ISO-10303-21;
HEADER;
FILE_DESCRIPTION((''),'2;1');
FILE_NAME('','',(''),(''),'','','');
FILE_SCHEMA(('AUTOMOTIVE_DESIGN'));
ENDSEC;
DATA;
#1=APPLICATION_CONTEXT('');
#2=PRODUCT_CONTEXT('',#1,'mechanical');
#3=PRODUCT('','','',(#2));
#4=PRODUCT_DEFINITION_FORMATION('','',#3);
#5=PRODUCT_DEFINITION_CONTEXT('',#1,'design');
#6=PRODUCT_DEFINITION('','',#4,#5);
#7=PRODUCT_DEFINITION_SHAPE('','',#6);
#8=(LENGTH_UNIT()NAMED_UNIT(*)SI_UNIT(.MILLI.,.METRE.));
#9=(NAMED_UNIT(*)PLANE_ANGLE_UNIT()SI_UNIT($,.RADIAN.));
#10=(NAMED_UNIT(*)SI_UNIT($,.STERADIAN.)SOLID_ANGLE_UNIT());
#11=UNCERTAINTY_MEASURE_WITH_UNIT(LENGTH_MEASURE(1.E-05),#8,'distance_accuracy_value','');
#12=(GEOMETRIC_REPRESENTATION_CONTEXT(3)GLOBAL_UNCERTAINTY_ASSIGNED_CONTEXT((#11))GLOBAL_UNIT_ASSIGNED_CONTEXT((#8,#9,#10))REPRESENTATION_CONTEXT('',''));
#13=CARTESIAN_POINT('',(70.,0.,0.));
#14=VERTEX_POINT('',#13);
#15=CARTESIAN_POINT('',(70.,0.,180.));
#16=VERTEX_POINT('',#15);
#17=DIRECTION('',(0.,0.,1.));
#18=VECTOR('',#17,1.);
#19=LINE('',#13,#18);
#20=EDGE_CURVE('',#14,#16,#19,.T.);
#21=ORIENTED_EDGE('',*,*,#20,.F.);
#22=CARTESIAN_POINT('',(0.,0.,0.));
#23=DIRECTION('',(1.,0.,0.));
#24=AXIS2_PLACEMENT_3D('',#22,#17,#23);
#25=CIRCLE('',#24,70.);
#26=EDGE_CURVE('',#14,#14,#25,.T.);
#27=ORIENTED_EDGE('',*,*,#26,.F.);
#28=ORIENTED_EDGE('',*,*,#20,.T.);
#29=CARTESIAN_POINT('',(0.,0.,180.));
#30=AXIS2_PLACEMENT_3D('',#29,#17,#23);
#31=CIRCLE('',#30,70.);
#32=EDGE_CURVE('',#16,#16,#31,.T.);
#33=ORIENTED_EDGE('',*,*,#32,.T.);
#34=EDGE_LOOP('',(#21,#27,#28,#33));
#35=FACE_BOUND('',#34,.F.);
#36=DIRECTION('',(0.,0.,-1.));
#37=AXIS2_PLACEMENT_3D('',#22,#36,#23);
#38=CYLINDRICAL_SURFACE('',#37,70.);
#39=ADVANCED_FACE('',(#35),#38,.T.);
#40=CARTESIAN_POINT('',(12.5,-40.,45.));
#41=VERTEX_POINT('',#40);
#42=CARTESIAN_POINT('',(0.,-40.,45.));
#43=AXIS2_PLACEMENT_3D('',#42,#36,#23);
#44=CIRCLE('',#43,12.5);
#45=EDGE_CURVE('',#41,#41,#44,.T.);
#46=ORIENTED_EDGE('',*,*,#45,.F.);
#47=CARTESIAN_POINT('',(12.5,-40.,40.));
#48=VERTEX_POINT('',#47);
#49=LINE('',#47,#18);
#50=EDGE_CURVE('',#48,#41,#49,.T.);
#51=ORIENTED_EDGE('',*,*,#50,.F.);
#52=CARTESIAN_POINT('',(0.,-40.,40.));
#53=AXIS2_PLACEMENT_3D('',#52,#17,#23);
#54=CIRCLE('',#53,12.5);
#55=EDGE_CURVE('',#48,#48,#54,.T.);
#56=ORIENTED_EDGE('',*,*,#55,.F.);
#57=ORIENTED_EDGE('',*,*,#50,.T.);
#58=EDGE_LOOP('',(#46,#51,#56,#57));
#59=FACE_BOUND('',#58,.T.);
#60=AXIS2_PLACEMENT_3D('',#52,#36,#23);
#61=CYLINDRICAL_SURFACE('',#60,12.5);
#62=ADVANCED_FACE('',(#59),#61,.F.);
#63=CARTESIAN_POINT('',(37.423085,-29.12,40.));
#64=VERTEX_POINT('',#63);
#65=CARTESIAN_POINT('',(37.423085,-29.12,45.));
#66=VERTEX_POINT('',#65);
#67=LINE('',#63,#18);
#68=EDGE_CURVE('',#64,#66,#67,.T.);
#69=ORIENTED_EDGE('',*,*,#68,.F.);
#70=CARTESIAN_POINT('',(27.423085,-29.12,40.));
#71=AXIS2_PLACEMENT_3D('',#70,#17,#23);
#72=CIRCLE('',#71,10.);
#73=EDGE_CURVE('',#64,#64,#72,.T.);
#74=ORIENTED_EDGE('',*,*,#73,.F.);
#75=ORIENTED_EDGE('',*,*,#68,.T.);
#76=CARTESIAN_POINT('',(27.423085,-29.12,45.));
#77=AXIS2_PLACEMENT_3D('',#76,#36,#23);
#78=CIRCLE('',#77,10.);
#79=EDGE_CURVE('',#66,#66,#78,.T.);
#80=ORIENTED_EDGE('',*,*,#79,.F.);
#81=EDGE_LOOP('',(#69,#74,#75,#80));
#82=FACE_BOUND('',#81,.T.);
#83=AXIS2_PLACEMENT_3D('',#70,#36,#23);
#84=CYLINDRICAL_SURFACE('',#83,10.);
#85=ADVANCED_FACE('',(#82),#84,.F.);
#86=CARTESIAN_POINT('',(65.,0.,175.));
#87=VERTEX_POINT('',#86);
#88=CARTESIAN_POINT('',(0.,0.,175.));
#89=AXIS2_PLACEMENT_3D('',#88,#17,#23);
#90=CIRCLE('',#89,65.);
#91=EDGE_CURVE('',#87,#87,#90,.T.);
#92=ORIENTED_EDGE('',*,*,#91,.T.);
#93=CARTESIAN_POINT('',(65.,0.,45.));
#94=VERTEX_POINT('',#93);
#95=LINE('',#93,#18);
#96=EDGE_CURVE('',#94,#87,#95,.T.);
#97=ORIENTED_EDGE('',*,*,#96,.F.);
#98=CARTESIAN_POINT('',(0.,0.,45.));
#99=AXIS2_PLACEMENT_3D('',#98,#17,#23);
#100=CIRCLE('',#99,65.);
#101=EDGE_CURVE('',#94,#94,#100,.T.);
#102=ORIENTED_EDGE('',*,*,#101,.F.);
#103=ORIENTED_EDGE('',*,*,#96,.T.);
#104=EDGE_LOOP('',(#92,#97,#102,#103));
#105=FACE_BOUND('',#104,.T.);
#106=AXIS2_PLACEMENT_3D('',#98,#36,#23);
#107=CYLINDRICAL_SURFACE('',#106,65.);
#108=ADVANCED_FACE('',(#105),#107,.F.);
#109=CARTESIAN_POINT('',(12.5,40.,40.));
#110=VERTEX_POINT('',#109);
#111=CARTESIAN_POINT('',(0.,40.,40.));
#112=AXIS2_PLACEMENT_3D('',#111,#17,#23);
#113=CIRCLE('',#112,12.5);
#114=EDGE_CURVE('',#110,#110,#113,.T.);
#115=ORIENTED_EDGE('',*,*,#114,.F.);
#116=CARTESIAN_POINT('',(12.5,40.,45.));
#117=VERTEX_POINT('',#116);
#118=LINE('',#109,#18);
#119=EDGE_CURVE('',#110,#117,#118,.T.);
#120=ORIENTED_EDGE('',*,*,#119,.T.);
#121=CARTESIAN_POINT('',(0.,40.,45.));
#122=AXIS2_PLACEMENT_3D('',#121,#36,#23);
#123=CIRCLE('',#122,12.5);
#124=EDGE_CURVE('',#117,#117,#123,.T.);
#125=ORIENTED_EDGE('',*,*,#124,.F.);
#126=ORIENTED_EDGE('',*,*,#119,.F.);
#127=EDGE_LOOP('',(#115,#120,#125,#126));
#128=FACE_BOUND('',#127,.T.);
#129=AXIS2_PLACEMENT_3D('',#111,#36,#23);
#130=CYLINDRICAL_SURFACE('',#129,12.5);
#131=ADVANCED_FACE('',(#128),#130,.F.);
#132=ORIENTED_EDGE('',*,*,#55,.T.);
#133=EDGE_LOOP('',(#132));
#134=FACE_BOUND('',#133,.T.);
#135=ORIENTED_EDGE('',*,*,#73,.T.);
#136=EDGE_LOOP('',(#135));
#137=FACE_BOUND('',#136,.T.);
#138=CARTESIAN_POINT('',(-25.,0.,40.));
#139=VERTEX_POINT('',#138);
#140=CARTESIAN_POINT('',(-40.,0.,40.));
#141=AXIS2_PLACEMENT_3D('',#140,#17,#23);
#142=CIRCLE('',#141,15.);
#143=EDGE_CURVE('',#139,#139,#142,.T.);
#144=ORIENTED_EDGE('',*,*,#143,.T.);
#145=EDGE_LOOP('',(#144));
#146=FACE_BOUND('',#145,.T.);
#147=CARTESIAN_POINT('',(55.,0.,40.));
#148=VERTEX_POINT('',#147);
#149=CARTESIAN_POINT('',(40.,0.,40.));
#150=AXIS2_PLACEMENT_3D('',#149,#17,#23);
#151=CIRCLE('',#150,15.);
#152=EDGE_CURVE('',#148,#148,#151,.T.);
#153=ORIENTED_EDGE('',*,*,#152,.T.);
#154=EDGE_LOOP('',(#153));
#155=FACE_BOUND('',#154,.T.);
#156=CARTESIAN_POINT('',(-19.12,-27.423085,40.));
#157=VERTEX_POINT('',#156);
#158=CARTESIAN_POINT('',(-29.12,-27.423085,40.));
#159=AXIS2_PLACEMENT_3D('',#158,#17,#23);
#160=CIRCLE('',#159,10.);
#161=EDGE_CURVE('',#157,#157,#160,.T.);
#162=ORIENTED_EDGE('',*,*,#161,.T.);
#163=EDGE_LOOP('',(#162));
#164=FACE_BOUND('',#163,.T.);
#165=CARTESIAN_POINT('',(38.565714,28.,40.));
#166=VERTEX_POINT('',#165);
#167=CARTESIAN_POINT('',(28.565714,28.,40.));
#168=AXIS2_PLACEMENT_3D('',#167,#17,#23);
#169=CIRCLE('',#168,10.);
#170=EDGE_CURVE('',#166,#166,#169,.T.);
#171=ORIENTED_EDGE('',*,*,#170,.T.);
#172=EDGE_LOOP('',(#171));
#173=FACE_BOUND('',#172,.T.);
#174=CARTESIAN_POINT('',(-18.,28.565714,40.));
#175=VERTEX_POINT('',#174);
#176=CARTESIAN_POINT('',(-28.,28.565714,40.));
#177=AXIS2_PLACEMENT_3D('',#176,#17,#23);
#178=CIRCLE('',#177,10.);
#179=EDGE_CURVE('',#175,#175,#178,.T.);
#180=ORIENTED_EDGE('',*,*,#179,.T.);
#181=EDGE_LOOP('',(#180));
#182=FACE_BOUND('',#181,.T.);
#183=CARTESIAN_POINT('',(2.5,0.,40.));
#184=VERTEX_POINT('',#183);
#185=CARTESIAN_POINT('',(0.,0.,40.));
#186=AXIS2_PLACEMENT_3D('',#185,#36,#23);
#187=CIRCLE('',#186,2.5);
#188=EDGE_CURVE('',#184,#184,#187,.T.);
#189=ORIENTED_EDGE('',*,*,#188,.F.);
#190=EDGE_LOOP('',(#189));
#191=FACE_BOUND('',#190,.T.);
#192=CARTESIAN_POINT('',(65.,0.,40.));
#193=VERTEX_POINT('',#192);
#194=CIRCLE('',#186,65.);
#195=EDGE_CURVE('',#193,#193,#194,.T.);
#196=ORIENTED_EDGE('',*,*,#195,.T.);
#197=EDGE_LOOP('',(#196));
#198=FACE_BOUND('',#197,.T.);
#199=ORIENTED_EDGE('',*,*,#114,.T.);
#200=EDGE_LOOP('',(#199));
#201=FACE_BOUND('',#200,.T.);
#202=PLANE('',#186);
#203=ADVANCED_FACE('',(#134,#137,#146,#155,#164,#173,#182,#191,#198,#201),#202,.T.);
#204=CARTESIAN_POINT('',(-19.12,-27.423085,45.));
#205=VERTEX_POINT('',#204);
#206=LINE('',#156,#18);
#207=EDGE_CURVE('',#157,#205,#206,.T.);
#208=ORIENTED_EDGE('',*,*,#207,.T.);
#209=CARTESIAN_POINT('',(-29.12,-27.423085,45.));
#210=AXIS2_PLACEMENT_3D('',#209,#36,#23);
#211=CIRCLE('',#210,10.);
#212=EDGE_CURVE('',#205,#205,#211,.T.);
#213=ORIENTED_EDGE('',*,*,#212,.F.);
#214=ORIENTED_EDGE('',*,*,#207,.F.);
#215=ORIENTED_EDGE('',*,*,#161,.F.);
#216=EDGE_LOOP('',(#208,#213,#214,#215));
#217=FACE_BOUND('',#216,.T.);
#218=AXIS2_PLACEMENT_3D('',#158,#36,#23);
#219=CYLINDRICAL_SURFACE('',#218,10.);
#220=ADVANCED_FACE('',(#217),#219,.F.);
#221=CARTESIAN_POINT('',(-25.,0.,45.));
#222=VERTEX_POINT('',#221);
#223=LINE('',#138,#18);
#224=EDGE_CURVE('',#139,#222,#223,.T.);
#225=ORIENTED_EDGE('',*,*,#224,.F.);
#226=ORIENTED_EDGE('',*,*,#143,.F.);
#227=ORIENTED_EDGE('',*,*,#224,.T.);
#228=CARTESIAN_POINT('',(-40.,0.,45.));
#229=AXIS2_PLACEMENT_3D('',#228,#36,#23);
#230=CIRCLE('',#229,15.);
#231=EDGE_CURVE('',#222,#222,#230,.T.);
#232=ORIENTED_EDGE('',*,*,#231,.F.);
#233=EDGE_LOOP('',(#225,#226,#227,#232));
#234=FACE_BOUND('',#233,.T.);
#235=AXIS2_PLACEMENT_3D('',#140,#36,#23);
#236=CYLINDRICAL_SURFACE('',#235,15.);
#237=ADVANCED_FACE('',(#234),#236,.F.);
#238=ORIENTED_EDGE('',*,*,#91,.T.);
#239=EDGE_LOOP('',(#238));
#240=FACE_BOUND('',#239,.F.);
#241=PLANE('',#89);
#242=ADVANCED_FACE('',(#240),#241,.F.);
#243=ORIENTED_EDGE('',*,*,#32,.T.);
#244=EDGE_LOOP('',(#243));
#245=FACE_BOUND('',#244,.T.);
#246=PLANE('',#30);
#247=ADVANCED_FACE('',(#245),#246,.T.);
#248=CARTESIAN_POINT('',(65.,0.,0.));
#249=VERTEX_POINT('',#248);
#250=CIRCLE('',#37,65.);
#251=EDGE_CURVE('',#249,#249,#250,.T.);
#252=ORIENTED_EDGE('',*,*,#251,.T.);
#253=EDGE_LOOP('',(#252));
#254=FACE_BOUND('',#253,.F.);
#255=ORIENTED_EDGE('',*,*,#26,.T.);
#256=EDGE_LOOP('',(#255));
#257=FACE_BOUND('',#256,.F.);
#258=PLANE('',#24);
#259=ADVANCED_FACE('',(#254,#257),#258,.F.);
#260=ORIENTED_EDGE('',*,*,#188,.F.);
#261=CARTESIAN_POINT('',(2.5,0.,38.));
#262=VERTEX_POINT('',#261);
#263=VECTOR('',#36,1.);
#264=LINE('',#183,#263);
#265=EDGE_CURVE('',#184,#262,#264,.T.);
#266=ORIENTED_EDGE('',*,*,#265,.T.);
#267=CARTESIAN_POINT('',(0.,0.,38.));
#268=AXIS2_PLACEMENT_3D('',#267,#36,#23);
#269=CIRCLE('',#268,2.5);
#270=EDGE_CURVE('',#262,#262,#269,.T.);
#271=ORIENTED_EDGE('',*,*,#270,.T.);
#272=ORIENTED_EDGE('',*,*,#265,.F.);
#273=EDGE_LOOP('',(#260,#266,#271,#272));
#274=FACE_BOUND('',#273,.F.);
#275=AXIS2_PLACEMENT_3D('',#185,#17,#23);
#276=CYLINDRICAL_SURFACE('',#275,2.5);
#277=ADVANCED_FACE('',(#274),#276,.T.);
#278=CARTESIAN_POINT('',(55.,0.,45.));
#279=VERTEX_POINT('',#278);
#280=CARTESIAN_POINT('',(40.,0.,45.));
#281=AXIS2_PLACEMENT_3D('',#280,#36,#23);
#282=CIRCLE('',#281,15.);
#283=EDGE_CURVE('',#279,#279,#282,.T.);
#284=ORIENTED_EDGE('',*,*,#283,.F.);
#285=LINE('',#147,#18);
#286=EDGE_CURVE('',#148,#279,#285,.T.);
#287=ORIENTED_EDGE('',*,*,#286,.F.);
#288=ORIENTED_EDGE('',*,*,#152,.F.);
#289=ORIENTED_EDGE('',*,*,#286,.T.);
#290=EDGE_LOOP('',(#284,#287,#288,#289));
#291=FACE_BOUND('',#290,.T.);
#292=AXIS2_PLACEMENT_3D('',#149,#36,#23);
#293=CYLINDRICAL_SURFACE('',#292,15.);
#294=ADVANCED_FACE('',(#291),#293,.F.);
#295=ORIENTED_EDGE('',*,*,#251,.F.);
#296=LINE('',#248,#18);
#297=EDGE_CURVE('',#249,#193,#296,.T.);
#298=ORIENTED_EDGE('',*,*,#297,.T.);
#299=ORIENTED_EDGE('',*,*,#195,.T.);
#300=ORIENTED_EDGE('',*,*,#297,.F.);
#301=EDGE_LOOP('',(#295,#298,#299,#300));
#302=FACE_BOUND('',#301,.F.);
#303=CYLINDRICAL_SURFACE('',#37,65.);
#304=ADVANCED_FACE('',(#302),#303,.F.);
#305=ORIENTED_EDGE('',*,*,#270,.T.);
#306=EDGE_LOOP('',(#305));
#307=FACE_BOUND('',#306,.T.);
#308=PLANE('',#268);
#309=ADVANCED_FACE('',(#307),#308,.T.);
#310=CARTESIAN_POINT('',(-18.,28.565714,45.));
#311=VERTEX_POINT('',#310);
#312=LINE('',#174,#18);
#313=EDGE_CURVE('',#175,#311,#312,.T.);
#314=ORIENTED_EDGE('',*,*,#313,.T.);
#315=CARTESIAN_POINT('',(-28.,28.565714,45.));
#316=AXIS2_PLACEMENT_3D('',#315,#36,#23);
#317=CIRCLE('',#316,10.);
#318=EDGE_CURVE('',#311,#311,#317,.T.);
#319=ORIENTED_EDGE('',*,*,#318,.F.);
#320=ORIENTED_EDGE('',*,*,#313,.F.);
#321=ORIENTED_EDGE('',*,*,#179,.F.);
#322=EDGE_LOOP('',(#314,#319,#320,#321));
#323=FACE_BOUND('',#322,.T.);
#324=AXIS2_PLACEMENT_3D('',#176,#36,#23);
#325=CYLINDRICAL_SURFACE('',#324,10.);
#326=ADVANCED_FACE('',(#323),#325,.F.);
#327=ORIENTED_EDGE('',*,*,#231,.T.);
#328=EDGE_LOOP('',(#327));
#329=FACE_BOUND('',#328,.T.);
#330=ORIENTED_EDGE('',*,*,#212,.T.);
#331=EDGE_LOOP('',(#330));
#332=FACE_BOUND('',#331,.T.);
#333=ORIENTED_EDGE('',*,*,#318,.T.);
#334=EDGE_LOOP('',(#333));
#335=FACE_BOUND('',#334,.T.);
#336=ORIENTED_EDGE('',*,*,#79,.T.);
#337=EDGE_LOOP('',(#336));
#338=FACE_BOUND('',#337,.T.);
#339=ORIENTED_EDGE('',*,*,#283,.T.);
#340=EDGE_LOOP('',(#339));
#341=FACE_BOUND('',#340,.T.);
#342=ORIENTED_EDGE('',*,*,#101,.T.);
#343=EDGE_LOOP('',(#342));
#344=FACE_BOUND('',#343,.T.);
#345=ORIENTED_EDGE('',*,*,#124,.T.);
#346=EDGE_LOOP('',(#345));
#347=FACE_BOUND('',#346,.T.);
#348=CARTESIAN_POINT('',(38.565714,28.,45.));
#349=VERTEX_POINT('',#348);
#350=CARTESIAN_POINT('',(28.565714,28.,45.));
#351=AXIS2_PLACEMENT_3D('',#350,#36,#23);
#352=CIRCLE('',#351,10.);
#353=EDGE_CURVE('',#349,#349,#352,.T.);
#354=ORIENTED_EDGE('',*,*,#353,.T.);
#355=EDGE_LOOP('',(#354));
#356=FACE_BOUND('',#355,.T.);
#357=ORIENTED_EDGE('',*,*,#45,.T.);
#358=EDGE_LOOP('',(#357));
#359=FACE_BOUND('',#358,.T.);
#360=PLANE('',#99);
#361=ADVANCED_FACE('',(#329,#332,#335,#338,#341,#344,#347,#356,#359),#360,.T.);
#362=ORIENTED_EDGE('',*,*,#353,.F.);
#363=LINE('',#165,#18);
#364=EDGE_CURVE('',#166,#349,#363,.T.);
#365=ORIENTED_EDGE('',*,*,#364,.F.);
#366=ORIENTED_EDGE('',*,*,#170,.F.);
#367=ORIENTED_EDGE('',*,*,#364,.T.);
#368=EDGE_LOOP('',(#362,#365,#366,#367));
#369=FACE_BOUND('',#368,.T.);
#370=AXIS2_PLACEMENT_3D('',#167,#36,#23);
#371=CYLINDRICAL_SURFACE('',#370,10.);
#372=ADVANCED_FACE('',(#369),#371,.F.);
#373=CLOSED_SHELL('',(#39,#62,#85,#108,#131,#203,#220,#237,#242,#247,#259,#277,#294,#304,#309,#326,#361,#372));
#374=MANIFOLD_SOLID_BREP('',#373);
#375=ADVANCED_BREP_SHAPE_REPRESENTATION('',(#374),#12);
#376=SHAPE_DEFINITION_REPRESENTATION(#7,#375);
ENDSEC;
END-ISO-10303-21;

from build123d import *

# Parameters (mm, degrees)
F0_R      = 70
F1_DEPTH  = 180
F2_R      = 65
F3_DEPTH  = 40
F5_R      = 15
F5_R_2    = 12.5
F5_R_3    = 10
F6_DEPTH  = 125
F8_R      = 65
F9_DEPTH  = 130
F10_R     = 2.5
F11_DEPTH = 2


with BuildPart() as f1:
    # F0 (on Top) → F1 (new body)
    with BuildSketch(Plane.XY):
        Circle(F0_R)
    extrude(amount=F1_DEPTH)

    # F2 (on face) → F3 (cut)
    with BuildSketch(Plane(origin=(0, 0, 0), x_dir=(1, 0, 0), z_dir=(0, 0, -1))):
        Circle(F2_R)
    extrude(amount=-F3_DEPTH, mode=Mode.SUBTRACT)

    # F5 (on offset) → F6 (cut)
    with BuildSketch(Plane.XY.offset(40)):
        with Locations((40, 0)):
            Circle(F5_R)
        with Locations((-40, 0)):
            Circle(F5_R)
        with Locations((0, 40)):
            Circle(F5_R_2)
        with Locations((0, -40)):
            Circle(F5_R_2)
        with Locations((-28, 28.565714)):
            Circle(F5_R_3)
        with Locations((27.423085, -29.12)):
            Circle(F5_R_3)
        with Locations((-29.12, -27.423085)):
            Circle(F5_R_3)
        with Locations((28.565714, 28)):
            Circle(F5_R_3)
    extrude(amount=F6_DEPTH, mode=Mode.SUBTRACT)

    # F8 (on offset) → F9 (cut)
    with BuildSketch(Plane.XY.offset(45)):
        Circle(F8_R)
    extrude(amount=F9_DEPTH, mode=Mode.SUBTRACT)

    # F10 (on face) → F11 (join)
    with BuildSketch(Plane(origin=(0, 0, 40), x_dir=(1, 0, 0), z_dir=(0, 0, -1))):
        Circle(F10_R)
    extrude(amount=F11_DEPTH)


solid = f1.part
